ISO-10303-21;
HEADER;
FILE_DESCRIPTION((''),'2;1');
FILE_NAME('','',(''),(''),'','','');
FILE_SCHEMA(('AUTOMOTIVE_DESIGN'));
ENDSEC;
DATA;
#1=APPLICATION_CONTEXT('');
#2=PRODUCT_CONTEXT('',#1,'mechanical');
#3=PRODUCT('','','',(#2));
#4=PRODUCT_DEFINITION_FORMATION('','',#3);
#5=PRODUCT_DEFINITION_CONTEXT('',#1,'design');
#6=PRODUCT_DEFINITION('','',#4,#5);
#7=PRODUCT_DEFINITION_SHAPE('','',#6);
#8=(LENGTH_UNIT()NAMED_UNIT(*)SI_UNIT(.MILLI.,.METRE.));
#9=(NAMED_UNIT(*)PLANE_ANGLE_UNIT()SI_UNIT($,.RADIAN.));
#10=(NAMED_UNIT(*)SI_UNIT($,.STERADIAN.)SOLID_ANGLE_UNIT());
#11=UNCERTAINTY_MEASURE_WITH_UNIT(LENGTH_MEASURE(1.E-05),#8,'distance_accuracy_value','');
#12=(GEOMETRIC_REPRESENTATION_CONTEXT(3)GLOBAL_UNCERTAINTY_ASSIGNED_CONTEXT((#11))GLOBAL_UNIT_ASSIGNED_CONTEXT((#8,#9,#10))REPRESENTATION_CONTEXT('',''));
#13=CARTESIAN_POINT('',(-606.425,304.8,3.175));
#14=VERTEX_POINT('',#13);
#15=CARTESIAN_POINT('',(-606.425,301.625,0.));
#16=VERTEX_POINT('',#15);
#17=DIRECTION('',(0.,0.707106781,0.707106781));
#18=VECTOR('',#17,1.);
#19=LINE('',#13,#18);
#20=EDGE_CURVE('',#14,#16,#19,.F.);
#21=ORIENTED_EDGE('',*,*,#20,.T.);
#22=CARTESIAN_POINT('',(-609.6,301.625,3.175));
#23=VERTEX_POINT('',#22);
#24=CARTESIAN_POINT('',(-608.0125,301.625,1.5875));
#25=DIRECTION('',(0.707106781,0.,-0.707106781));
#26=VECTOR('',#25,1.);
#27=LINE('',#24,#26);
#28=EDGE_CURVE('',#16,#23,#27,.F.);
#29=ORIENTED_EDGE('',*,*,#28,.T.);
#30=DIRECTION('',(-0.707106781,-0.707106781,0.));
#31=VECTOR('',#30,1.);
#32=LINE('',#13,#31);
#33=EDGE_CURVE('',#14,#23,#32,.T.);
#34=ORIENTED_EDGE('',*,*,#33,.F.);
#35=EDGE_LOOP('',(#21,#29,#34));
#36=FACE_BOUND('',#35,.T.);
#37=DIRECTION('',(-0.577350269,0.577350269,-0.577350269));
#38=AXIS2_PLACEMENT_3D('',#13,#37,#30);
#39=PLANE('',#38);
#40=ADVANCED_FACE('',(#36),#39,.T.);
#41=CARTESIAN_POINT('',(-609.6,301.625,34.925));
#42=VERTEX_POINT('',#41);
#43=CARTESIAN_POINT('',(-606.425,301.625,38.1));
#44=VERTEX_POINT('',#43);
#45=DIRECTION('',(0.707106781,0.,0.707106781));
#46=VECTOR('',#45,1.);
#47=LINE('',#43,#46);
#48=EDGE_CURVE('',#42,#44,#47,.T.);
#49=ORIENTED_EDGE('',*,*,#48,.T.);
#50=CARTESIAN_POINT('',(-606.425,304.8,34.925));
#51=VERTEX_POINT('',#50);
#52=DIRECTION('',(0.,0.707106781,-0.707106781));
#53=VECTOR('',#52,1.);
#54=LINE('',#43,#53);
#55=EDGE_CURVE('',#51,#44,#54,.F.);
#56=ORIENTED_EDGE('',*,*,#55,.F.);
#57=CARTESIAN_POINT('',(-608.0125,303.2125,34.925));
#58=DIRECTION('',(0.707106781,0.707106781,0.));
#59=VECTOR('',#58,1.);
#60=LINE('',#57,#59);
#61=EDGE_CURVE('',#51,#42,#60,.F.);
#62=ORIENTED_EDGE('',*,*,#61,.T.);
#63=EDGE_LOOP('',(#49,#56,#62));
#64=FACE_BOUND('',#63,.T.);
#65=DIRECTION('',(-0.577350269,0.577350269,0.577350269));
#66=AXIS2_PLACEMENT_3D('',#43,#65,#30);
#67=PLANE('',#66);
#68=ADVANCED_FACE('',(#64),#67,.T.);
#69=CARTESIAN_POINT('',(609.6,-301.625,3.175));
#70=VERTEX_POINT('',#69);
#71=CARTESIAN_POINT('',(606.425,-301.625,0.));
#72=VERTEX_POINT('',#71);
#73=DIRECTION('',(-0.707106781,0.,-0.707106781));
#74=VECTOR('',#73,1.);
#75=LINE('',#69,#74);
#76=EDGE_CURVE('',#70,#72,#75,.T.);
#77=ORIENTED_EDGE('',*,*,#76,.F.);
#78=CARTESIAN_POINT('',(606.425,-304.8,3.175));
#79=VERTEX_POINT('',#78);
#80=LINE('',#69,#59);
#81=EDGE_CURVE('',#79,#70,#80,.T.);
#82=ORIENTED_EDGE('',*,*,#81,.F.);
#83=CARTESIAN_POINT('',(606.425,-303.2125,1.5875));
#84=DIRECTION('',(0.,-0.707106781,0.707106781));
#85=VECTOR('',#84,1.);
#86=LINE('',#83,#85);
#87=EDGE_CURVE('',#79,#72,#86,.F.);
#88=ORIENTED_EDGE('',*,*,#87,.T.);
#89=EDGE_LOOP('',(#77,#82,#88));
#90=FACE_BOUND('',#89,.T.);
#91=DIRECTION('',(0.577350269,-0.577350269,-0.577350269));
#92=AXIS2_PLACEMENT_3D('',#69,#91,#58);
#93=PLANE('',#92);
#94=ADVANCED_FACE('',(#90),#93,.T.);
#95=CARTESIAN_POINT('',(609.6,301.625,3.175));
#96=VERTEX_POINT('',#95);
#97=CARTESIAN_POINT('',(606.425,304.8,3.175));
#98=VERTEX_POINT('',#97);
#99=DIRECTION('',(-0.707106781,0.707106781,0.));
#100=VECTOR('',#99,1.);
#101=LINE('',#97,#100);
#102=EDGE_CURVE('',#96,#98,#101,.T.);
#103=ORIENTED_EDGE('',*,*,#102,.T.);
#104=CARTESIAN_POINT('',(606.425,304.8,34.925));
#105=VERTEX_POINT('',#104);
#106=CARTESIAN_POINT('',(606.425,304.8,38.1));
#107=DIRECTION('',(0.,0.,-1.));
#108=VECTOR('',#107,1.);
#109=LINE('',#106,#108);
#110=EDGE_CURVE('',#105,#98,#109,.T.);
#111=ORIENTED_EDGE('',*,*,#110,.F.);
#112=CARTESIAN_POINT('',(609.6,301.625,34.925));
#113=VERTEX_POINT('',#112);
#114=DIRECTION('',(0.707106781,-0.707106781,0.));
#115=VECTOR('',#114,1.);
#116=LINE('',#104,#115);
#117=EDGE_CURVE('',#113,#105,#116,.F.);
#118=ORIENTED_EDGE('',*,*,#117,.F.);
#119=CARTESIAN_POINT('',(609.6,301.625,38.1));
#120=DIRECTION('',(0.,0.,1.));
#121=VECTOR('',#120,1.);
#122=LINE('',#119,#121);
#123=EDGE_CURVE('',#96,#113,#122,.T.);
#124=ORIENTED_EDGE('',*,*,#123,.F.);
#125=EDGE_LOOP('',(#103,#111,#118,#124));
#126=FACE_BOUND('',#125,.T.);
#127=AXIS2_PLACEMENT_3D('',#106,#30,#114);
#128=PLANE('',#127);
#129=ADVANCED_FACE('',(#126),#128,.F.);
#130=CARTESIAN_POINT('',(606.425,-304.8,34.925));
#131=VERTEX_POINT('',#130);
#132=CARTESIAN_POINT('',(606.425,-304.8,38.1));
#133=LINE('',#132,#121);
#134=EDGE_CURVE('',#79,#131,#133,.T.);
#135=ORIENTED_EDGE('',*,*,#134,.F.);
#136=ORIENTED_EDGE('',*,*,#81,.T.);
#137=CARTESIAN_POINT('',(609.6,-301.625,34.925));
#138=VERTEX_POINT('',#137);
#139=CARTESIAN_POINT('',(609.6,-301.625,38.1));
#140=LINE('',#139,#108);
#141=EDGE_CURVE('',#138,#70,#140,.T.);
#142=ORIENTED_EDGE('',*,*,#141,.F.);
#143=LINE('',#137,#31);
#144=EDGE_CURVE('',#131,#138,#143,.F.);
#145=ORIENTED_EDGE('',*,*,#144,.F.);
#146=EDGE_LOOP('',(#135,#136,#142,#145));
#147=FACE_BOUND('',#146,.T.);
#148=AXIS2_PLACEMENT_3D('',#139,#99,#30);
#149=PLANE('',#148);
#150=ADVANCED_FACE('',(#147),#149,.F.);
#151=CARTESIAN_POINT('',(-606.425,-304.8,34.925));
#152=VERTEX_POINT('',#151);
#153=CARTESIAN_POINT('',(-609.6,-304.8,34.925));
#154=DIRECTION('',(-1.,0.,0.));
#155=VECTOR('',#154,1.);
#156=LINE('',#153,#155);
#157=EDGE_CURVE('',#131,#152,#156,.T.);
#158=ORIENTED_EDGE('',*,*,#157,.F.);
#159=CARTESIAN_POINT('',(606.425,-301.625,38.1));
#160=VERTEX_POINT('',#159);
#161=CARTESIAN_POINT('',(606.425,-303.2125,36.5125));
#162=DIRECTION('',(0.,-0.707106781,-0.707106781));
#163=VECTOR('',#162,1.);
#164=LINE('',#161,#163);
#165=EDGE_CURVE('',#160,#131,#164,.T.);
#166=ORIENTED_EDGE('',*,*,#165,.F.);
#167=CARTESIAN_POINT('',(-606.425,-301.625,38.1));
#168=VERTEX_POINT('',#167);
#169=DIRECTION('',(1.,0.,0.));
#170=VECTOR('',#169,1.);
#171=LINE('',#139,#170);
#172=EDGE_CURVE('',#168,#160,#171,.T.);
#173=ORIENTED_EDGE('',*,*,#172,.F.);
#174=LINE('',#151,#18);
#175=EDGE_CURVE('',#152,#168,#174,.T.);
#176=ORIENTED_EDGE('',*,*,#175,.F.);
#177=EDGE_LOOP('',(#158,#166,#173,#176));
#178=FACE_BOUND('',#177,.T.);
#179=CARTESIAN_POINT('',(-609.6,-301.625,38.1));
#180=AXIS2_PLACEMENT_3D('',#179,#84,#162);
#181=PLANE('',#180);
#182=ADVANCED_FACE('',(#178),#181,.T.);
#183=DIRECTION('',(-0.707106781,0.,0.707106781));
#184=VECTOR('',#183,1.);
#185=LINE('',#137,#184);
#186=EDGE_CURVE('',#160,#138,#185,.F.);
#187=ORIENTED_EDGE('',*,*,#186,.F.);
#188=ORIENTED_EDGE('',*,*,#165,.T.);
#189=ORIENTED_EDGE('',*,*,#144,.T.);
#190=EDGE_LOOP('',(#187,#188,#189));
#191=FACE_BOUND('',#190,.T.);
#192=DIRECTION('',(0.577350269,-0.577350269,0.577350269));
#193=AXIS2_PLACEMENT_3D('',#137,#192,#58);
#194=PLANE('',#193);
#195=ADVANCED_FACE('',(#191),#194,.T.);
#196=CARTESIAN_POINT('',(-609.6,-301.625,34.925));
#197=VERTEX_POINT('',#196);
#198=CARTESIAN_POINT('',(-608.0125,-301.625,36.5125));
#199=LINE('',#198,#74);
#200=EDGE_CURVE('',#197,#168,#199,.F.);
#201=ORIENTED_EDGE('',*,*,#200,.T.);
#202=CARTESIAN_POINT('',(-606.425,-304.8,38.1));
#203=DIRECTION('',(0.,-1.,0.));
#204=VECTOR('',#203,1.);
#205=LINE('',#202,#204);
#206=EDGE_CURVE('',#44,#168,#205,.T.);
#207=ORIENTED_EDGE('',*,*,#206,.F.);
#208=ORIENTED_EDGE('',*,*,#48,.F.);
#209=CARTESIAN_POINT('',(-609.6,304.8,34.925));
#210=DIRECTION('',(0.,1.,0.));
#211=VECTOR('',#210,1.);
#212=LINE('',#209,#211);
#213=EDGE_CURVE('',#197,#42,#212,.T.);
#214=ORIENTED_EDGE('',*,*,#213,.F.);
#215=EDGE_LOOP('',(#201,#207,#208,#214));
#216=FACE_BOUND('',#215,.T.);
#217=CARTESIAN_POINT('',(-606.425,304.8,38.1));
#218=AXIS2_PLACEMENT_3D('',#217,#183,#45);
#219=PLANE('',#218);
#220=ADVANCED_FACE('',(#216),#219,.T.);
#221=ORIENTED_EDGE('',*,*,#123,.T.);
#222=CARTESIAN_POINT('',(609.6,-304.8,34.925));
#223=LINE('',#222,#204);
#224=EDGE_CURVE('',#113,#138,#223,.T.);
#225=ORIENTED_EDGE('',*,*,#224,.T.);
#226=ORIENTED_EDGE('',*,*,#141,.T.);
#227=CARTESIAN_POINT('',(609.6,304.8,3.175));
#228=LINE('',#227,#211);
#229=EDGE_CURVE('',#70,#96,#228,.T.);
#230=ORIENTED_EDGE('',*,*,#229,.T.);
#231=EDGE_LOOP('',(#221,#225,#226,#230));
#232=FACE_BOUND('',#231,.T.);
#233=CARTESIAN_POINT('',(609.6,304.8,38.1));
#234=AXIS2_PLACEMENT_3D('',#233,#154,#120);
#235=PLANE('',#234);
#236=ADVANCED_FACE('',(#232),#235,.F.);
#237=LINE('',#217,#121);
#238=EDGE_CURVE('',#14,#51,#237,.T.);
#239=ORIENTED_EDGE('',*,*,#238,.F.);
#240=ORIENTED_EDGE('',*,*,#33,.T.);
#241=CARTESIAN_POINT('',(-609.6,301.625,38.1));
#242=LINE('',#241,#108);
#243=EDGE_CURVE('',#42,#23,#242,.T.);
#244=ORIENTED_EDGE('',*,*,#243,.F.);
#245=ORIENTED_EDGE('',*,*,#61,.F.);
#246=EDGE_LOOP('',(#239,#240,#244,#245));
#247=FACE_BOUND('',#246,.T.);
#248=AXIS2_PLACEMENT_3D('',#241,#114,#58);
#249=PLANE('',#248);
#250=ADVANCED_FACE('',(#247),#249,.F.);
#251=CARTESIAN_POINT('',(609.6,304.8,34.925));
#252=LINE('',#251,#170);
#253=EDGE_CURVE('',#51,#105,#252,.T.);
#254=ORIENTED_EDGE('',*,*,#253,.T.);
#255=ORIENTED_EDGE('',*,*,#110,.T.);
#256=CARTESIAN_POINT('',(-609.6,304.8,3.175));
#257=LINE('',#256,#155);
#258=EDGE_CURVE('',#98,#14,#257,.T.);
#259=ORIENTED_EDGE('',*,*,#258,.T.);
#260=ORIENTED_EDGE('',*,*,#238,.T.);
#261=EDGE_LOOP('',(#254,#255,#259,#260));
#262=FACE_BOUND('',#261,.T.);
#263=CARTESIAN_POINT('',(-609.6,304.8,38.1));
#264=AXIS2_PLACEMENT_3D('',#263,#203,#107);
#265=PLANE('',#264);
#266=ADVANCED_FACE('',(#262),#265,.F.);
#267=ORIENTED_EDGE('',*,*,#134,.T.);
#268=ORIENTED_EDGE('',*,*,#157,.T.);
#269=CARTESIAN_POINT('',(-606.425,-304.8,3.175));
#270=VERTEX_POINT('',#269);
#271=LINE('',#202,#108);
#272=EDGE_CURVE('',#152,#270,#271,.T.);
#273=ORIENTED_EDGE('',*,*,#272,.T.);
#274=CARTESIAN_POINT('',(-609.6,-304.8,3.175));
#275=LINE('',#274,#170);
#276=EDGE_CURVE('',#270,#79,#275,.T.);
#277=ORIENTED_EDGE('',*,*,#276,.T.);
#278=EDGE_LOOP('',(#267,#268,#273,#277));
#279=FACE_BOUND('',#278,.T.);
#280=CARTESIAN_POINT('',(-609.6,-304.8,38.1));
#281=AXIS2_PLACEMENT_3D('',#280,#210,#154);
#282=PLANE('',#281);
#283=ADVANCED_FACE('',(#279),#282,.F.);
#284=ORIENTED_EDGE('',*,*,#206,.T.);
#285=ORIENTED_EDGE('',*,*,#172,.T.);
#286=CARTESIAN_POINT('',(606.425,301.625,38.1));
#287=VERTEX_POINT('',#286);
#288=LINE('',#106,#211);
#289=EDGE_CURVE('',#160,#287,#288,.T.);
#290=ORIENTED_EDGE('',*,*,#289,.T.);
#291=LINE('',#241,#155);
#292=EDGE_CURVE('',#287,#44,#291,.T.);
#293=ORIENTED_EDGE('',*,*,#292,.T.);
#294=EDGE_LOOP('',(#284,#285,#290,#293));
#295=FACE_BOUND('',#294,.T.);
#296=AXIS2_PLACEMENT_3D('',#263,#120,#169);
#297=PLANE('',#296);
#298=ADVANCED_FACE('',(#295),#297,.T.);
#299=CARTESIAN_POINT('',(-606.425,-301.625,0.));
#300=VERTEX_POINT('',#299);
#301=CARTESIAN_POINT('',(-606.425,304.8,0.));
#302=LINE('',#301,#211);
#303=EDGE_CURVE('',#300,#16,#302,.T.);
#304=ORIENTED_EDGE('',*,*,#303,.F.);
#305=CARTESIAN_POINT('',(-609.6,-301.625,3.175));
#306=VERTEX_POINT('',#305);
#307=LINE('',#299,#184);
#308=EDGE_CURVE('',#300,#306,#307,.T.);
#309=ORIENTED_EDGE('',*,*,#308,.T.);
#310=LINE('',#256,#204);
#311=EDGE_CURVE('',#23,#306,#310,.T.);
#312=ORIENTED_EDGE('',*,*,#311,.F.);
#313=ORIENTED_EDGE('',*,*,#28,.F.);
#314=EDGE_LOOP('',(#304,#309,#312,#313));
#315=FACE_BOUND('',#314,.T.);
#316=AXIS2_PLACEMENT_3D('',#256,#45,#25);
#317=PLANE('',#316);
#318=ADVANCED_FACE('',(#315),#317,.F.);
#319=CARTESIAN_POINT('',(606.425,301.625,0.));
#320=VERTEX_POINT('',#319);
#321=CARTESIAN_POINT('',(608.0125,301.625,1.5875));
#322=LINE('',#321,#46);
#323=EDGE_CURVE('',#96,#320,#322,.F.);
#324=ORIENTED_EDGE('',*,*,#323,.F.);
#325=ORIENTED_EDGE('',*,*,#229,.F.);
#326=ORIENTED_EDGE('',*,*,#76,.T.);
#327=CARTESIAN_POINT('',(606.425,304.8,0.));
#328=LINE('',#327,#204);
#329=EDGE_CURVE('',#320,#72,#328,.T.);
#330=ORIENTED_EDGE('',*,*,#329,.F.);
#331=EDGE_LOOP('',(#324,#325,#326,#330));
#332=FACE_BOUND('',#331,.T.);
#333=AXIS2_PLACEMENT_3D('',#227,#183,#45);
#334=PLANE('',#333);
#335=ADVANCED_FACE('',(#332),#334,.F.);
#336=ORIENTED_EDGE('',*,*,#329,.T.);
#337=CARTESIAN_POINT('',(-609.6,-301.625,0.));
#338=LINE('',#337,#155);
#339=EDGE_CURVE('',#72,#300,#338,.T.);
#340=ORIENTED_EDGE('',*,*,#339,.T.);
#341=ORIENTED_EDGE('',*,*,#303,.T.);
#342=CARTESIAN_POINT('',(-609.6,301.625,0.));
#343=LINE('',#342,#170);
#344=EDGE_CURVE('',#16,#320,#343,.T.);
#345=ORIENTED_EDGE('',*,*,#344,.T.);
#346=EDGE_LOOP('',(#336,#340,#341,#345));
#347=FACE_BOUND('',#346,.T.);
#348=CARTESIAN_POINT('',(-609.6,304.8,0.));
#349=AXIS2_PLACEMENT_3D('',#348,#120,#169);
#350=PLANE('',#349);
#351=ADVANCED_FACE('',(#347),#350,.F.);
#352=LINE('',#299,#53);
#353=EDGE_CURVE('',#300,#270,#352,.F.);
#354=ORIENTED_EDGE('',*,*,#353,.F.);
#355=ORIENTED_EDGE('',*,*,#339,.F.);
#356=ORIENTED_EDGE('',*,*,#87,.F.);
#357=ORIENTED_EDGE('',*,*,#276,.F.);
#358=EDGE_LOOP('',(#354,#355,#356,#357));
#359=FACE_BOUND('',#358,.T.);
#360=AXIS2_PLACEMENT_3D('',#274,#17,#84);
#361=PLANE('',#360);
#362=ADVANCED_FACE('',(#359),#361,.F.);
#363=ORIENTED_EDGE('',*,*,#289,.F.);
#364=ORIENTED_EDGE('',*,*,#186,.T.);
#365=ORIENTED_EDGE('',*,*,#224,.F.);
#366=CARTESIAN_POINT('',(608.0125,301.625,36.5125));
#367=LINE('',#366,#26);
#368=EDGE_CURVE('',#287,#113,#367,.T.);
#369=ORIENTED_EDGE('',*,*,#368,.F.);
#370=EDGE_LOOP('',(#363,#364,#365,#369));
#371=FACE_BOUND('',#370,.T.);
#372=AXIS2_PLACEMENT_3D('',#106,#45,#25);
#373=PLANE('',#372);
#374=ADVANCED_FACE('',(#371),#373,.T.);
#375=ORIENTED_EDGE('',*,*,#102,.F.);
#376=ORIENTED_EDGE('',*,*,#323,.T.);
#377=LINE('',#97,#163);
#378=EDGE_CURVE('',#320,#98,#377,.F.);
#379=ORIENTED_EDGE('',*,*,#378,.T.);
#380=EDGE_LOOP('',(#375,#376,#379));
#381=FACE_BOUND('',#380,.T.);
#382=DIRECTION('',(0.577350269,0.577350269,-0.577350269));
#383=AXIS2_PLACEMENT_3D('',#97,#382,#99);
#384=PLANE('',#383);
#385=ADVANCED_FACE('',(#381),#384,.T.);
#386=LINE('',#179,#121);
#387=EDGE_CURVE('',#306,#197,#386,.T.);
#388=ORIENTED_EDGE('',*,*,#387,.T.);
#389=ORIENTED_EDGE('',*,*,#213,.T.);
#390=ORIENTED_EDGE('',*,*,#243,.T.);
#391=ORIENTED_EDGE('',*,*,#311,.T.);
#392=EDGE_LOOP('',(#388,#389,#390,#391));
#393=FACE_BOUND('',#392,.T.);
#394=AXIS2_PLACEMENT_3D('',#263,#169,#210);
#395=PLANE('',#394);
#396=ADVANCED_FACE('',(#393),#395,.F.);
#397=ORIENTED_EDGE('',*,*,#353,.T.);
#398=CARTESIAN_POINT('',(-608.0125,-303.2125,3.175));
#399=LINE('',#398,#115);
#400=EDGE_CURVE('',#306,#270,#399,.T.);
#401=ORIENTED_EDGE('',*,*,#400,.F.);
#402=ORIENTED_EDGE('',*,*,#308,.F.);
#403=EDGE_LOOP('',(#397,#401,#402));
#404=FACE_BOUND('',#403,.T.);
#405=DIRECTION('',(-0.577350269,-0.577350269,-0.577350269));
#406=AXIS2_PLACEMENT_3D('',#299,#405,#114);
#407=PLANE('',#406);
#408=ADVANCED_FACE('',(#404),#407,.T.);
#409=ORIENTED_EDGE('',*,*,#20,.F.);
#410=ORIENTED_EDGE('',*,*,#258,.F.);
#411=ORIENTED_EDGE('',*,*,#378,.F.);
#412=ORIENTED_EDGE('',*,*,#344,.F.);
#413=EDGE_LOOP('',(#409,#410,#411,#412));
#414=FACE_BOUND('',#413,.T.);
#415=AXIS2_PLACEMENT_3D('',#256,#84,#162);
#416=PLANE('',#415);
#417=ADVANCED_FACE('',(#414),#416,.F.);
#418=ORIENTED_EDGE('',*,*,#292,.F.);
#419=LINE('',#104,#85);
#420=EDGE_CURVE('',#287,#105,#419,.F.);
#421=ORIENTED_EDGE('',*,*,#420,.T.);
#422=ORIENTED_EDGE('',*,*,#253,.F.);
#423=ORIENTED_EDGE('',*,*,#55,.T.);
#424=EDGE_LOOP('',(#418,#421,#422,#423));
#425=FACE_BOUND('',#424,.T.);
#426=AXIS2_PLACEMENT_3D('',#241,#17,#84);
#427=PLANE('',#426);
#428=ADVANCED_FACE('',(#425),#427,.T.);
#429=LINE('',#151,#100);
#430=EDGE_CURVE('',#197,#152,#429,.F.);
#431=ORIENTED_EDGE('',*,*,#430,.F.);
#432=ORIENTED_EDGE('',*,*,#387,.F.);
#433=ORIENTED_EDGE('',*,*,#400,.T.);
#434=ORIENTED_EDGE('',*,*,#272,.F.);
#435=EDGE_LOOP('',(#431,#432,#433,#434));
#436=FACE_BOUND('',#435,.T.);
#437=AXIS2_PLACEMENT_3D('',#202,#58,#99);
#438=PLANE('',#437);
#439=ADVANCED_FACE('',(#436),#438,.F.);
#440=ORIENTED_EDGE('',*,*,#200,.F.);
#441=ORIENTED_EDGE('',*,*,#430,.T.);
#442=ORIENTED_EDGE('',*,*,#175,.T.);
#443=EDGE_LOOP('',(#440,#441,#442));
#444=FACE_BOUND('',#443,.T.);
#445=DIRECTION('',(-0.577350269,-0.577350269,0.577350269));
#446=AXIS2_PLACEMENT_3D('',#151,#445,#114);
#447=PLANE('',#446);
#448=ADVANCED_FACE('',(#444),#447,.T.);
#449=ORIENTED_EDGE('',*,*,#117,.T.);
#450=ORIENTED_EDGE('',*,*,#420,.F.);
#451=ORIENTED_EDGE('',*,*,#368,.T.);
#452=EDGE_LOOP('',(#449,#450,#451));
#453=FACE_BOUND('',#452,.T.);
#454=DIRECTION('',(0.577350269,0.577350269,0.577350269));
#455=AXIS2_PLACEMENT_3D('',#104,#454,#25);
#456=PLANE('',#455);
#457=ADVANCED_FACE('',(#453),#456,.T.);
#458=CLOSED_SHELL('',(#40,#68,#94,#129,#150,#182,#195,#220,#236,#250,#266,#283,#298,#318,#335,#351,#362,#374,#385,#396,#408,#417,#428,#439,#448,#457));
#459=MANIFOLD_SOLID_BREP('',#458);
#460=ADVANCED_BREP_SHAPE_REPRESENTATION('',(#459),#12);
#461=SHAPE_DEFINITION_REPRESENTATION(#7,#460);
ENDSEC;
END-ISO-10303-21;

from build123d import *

# Parameters (mm, degrees)
SKETCH1_W          = 1219.2
SKETCH1_H          = 609.6
BASE_EXTRUDE_DEPTH = 38.1
CHAMFER1_SIZE      = 3.175


with BuildPart() as part:
    # Sketch1 → Base-Extrude (new body)
    with BuildSketch(Plane.XY):
        Rectangle(SKETCH1_W, SKETCH1_H)
    extrude(amount=BASE_EXTRUDE_DEPTH)

    # Chamfer1
    chamfer1_edges = [part.edges().sort_by_distance(p)[0] for p in [
        (-609.6, 304.8, 19.05),
        (609.6, 304.8, 19.05),
        (0, 304.8, 0),
        (0, 304.8, 38.1),
        (609.6, -304.8, 19.05),
        (609.6, 0, 0),
        (609.6, 0, 38.1),
        (-609.6, -304.8, 19.05),
        (0, -304.8, 0),
        (0, -304.8, 38.1),
        (-609.6, 0, 0),
        (-609.6, 0, 38.1),
    ]]
    chamfer(chamfer1_edges, length=CHAMFER1_SIZE)


solid = part.part
